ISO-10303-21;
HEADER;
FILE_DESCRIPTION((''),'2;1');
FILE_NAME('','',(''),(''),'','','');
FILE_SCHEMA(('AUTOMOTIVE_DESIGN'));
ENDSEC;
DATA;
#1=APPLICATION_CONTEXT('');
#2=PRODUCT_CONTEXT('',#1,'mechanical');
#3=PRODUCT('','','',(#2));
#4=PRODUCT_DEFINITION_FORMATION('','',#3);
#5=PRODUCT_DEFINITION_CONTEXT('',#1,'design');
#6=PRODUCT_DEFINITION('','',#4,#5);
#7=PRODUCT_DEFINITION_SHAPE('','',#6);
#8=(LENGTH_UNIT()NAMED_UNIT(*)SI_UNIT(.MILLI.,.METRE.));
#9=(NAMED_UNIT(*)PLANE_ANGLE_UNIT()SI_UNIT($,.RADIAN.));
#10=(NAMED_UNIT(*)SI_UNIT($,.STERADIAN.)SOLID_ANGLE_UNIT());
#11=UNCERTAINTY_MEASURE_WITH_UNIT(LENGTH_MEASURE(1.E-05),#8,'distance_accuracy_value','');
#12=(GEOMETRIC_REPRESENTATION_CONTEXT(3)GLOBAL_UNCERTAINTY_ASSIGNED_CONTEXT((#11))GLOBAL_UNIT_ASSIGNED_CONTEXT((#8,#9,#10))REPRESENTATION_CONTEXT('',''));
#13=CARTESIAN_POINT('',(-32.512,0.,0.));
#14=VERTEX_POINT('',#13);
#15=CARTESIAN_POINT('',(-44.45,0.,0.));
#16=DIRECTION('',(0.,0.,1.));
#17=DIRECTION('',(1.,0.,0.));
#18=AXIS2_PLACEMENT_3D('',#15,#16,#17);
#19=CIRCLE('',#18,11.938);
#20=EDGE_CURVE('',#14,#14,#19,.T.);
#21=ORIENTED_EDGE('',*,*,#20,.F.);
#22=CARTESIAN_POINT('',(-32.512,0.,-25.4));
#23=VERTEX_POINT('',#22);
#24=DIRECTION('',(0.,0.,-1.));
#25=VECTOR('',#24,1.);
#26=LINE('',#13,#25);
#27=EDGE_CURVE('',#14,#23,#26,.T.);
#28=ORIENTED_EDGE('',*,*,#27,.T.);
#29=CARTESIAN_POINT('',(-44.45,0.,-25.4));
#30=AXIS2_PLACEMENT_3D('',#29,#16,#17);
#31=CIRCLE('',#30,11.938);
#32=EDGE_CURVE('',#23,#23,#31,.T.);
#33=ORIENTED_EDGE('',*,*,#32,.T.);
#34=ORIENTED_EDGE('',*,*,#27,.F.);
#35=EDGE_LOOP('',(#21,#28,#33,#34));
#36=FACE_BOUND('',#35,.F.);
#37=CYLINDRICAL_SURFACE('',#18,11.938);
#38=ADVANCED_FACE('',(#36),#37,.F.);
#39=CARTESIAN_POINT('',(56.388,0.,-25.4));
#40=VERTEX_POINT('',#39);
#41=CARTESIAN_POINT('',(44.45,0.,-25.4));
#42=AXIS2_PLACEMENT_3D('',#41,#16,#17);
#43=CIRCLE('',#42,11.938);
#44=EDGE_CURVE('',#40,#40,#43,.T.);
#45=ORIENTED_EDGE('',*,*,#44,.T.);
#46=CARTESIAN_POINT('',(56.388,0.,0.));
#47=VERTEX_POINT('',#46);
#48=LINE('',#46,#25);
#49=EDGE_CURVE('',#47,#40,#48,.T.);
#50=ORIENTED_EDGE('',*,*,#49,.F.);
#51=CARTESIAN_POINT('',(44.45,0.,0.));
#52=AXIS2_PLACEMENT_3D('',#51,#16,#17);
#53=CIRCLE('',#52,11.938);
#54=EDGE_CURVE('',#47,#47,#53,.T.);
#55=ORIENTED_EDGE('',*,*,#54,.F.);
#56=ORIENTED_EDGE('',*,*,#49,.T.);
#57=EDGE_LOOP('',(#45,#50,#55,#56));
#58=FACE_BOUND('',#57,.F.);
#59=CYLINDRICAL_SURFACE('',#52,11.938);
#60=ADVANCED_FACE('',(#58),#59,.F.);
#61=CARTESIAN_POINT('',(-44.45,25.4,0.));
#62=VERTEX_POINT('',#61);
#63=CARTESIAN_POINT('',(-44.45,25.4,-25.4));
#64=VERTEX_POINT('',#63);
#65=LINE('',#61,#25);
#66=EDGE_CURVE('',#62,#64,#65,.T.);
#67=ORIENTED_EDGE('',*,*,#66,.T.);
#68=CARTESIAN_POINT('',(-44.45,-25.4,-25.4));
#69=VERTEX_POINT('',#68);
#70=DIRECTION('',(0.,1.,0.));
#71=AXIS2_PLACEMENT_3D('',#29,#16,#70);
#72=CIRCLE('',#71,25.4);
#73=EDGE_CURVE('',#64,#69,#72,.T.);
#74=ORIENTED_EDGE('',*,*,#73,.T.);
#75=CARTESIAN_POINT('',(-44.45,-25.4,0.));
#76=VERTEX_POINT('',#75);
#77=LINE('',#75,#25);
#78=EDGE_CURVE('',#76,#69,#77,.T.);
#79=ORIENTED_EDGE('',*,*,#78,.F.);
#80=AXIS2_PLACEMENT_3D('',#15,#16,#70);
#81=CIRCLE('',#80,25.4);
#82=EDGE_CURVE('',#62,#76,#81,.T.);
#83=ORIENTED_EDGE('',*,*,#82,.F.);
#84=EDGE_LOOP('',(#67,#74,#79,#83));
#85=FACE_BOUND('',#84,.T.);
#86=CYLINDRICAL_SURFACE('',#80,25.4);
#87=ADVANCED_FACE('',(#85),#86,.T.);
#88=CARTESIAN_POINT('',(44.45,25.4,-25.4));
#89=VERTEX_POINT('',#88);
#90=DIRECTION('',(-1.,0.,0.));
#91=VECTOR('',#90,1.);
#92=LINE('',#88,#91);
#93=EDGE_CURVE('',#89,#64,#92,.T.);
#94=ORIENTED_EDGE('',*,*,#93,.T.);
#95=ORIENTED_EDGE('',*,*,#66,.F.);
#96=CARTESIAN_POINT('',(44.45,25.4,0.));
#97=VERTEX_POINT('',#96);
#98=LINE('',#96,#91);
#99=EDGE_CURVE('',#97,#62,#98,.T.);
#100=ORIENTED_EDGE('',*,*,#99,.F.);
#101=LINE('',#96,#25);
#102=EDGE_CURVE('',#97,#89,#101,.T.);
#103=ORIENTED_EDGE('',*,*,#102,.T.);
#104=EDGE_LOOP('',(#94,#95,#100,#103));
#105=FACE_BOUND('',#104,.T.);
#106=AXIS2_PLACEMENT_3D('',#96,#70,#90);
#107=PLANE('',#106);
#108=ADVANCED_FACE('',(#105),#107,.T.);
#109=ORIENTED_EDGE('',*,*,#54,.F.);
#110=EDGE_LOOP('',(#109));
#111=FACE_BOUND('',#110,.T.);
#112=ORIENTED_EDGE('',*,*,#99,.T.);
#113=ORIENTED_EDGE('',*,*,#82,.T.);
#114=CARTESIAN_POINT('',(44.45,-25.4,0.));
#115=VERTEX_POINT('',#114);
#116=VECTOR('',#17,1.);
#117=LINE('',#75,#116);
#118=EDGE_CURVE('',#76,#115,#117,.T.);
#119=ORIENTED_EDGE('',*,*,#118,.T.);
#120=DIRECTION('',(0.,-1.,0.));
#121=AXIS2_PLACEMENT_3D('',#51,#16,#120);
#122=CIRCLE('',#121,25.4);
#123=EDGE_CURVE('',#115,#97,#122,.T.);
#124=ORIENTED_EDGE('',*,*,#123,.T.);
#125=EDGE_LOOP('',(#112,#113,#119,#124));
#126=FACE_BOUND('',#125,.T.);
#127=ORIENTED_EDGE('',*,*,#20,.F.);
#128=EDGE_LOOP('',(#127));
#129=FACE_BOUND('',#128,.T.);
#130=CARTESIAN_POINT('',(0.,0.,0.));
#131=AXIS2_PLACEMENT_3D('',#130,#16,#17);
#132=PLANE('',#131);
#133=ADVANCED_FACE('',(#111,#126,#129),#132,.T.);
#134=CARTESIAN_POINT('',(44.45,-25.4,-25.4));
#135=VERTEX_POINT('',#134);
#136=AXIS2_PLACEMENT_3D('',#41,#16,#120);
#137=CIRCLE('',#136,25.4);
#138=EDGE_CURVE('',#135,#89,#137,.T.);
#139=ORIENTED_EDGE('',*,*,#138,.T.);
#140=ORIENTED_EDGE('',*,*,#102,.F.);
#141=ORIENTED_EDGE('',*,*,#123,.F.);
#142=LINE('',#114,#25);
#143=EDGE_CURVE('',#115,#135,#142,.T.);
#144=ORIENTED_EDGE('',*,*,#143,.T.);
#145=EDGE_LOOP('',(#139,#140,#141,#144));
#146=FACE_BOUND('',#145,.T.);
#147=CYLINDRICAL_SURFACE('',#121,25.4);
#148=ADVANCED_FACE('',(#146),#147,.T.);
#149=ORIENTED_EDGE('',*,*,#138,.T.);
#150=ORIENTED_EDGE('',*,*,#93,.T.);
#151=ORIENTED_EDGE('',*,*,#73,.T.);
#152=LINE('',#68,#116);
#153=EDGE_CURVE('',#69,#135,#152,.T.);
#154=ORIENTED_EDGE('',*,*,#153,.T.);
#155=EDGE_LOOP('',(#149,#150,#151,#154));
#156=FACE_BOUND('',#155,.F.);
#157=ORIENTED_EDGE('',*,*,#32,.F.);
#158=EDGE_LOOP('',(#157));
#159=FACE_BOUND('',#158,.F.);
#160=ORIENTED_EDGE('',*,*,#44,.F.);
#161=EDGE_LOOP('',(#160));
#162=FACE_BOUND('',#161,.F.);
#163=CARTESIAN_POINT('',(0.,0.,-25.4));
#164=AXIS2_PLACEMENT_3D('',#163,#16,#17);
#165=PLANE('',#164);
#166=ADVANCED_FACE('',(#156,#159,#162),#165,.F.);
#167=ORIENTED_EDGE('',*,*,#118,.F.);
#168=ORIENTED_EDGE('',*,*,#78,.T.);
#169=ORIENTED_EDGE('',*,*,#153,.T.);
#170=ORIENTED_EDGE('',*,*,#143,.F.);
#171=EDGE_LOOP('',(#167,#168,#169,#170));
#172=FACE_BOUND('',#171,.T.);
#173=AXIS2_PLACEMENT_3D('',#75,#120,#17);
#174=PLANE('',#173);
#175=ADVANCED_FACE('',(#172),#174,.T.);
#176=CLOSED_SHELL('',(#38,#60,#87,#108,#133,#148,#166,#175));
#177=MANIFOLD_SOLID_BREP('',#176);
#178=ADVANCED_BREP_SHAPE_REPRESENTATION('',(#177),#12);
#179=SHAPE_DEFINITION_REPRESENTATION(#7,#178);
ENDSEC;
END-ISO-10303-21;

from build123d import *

# Parameters (mm, degrees)
F0_R     = 11.938
F1_DEPTH = 25.4


with BuildPart() as f1:
    # F0 (on Top) → F1 (new body)
    with BuildSketch(Plane.XY):
        with BuildLine():
            Line((44.45, 25.4), (-44.45, 25.4))
            ThreePointArc((-44.45, 25.4), (-69.85, 0), (-44.45, -25.4))
            Line((-44.45, -25.4), (44.45, -25.4))
            ThreePointArc((44.45, -25.4), (69.85, 0), (44.45, 25.4))
        make_face()
        with Locations((-44.45, 0)):
            Circle(F0_R, mode=Mode.SUBTRACT)
        with Locations((44.45, 0)):
            Circle(F0_R, mode=Mode.SUBTRACT)
    extrude(amount=-F1_DEPTH)


solid = f1.part
